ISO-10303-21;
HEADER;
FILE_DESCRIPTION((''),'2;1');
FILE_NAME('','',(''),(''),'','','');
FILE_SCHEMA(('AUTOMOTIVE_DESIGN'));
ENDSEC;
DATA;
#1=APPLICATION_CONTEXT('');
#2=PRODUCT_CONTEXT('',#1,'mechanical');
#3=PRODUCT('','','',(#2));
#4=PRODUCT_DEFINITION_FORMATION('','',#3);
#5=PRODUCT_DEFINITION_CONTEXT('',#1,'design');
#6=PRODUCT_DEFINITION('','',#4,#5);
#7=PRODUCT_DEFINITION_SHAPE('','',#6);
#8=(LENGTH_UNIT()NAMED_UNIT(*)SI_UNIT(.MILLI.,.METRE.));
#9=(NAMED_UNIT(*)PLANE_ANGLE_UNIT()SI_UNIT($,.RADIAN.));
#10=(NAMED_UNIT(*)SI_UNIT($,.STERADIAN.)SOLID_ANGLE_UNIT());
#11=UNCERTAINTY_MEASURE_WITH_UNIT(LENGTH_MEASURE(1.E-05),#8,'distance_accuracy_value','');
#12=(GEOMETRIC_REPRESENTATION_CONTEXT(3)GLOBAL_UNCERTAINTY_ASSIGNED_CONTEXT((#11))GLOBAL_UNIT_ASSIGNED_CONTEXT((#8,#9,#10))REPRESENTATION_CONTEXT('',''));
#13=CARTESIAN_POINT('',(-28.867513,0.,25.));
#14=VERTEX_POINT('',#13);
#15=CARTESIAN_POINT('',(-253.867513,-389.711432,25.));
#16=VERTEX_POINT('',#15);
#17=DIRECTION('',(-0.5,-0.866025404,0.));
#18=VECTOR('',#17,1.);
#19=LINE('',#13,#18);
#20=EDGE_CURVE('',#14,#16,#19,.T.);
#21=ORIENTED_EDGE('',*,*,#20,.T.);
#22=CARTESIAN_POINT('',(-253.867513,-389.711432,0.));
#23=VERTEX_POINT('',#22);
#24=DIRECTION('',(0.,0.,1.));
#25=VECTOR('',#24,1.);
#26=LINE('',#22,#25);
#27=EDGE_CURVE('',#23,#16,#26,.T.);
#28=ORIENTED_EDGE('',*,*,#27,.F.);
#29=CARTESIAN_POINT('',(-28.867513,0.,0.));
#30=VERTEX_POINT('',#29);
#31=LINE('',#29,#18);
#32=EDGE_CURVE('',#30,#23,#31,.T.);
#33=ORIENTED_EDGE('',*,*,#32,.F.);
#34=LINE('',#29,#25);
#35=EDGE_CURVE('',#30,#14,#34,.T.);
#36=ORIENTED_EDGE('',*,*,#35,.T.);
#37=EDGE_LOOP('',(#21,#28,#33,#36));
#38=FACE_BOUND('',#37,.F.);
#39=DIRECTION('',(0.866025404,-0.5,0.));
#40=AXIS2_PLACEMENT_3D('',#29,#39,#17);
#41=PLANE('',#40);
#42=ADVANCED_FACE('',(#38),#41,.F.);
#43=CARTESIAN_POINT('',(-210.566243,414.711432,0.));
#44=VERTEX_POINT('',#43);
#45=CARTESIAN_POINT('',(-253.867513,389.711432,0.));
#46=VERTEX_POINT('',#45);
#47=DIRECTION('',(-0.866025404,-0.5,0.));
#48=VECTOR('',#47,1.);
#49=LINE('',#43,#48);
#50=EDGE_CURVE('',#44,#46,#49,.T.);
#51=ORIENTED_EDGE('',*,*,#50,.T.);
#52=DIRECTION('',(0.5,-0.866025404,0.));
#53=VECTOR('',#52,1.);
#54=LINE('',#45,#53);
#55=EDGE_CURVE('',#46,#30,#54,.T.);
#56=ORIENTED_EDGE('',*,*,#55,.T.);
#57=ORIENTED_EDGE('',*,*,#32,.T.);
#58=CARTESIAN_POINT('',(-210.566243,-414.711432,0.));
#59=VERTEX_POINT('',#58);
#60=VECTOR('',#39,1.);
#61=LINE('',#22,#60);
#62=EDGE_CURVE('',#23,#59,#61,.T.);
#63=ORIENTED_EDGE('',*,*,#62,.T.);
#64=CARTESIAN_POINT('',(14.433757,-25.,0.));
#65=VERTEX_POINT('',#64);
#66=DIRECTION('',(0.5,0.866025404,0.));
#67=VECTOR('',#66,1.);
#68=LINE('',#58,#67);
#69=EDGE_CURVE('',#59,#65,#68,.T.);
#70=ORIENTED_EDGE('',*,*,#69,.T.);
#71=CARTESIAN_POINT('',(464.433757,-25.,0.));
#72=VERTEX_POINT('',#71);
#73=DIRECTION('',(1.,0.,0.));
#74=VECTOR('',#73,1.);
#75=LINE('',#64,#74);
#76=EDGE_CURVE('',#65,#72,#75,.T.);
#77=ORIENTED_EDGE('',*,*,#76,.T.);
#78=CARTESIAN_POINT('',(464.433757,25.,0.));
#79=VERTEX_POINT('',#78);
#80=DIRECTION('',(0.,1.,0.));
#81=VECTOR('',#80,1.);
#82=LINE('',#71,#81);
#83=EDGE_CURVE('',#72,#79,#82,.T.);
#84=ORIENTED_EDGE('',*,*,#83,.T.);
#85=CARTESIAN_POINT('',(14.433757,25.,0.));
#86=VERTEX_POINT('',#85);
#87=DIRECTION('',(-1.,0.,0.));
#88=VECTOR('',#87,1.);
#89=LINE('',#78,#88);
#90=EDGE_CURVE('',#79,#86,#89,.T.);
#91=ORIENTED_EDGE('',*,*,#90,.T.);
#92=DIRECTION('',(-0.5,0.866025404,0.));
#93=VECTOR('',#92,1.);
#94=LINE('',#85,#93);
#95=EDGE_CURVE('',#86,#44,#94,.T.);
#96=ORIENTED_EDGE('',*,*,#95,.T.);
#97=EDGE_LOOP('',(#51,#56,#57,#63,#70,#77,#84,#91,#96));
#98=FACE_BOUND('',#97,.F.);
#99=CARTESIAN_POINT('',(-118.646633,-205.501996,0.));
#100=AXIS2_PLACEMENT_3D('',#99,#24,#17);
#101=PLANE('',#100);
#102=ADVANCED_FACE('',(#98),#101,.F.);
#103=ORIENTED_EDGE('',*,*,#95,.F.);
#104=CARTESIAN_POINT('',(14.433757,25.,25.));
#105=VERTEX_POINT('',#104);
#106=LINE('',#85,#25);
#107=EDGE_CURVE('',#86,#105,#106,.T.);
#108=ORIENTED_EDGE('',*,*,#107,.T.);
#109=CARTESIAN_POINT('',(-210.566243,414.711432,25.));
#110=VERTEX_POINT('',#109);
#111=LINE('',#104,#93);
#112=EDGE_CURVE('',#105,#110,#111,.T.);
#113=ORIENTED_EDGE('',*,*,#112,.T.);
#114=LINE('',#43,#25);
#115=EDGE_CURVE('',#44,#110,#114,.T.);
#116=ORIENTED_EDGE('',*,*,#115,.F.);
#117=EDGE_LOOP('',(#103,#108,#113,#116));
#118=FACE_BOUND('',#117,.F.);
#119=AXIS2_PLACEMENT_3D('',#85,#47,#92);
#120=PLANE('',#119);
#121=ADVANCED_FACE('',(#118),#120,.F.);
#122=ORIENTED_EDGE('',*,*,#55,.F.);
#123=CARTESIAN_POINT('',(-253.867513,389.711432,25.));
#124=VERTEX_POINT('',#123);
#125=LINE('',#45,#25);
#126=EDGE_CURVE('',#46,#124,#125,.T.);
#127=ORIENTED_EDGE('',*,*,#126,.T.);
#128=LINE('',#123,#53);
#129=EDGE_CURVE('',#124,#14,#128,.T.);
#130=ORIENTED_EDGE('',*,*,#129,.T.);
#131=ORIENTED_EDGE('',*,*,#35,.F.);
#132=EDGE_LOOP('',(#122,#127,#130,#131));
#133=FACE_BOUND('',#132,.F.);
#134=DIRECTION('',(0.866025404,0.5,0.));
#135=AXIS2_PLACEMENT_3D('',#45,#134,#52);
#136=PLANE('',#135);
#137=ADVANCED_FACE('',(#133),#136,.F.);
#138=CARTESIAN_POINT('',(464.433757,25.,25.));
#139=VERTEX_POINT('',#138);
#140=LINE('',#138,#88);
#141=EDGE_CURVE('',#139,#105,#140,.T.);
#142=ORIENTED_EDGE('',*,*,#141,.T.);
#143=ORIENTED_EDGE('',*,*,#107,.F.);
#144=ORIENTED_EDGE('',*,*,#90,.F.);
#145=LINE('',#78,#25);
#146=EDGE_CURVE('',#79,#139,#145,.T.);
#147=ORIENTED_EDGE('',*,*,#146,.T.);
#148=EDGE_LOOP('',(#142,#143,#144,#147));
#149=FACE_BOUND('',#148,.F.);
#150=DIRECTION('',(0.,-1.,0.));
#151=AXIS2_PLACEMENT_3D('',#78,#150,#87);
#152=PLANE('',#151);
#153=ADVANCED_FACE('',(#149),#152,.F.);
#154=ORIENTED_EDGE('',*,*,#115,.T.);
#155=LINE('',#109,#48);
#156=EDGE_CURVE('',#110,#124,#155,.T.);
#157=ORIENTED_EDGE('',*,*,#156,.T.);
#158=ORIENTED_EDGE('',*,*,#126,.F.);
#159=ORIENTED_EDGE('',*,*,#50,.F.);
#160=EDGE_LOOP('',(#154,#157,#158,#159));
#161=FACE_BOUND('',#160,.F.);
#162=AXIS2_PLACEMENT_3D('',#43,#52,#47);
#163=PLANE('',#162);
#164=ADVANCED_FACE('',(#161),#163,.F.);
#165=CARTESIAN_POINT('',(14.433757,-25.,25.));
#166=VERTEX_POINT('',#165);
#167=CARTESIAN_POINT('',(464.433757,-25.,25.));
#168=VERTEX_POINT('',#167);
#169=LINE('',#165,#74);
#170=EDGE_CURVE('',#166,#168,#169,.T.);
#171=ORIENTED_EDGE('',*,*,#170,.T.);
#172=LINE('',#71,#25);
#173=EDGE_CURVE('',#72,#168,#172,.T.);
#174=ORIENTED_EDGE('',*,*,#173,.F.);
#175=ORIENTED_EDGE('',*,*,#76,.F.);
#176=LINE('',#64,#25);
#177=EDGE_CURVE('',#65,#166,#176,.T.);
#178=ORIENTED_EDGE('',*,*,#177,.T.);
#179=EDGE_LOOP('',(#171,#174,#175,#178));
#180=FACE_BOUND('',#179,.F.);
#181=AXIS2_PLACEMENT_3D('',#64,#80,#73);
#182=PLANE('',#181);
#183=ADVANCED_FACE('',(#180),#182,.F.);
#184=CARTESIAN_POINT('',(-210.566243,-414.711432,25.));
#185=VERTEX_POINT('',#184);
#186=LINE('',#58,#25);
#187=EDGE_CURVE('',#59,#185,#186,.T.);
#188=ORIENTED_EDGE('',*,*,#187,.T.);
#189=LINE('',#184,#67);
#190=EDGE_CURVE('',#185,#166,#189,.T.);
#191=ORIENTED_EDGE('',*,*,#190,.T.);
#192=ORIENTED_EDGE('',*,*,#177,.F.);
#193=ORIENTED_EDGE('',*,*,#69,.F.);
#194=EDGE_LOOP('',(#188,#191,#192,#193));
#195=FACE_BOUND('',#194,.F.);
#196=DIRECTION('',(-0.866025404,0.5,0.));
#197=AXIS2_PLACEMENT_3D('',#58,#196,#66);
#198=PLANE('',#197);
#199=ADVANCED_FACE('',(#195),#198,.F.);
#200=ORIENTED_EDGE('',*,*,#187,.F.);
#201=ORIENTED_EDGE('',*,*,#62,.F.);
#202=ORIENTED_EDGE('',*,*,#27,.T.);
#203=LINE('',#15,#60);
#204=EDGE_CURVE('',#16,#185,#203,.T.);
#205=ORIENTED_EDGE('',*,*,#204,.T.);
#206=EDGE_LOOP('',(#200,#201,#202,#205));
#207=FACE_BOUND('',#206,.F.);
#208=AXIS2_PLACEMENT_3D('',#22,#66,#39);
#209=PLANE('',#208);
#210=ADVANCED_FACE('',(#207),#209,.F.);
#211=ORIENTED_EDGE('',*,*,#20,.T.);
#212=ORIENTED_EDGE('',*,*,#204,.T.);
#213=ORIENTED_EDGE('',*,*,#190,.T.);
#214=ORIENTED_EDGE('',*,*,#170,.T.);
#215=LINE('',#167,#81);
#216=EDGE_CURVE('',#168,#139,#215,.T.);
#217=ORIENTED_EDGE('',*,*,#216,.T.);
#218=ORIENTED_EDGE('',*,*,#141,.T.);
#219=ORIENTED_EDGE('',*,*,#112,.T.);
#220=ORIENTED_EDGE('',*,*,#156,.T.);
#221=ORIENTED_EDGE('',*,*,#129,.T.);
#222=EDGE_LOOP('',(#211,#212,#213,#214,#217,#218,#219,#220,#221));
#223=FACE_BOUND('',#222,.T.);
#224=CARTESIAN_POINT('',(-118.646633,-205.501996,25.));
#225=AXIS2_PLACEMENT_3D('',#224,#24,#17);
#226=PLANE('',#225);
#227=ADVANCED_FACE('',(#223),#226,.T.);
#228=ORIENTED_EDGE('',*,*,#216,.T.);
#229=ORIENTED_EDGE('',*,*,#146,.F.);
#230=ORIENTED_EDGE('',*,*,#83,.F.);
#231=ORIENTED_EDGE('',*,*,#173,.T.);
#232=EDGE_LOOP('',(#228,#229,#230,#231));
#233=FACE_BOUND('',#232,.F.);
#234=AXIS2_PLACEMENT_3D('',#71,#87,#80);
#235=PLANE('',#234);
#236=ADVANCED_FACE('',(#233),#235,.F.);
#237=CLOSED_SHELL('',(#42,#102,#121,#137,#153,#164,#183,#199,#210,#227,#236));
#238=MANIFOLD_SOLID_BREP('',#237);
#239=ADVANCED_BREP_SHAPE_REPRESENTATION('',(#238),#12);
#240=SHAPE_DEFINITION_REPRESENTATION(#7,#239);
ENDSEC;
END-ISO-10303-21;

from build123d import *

# Parameters (mm, degrees)
F2_DEPTH = 25
F3_COUNT = 3


with BuildPart() as f2:
    # F0 (on Top) → F2 (new body)
    with BuildSketch(Plane.XY):
        Polygon((14.4337567297, 25), (0, 0), (14.4337567297, -25), (464.4337567297, -25), (464.4337567297, 25), align=None)
    extrude(amount=F2_DEPTH)

    # F3: F2 ×3 about axis
    f3_axis = Axis((0, 0, 69.7502270341), (0, 0, 1))


with BuildPart() as f2_1:
    add(f2.part)
    for i in range(1, F3_COUNT):
        add(f2.part.rotate(f3_axis, i * 360 / F3_COUNT))


solid = f2_1.part
